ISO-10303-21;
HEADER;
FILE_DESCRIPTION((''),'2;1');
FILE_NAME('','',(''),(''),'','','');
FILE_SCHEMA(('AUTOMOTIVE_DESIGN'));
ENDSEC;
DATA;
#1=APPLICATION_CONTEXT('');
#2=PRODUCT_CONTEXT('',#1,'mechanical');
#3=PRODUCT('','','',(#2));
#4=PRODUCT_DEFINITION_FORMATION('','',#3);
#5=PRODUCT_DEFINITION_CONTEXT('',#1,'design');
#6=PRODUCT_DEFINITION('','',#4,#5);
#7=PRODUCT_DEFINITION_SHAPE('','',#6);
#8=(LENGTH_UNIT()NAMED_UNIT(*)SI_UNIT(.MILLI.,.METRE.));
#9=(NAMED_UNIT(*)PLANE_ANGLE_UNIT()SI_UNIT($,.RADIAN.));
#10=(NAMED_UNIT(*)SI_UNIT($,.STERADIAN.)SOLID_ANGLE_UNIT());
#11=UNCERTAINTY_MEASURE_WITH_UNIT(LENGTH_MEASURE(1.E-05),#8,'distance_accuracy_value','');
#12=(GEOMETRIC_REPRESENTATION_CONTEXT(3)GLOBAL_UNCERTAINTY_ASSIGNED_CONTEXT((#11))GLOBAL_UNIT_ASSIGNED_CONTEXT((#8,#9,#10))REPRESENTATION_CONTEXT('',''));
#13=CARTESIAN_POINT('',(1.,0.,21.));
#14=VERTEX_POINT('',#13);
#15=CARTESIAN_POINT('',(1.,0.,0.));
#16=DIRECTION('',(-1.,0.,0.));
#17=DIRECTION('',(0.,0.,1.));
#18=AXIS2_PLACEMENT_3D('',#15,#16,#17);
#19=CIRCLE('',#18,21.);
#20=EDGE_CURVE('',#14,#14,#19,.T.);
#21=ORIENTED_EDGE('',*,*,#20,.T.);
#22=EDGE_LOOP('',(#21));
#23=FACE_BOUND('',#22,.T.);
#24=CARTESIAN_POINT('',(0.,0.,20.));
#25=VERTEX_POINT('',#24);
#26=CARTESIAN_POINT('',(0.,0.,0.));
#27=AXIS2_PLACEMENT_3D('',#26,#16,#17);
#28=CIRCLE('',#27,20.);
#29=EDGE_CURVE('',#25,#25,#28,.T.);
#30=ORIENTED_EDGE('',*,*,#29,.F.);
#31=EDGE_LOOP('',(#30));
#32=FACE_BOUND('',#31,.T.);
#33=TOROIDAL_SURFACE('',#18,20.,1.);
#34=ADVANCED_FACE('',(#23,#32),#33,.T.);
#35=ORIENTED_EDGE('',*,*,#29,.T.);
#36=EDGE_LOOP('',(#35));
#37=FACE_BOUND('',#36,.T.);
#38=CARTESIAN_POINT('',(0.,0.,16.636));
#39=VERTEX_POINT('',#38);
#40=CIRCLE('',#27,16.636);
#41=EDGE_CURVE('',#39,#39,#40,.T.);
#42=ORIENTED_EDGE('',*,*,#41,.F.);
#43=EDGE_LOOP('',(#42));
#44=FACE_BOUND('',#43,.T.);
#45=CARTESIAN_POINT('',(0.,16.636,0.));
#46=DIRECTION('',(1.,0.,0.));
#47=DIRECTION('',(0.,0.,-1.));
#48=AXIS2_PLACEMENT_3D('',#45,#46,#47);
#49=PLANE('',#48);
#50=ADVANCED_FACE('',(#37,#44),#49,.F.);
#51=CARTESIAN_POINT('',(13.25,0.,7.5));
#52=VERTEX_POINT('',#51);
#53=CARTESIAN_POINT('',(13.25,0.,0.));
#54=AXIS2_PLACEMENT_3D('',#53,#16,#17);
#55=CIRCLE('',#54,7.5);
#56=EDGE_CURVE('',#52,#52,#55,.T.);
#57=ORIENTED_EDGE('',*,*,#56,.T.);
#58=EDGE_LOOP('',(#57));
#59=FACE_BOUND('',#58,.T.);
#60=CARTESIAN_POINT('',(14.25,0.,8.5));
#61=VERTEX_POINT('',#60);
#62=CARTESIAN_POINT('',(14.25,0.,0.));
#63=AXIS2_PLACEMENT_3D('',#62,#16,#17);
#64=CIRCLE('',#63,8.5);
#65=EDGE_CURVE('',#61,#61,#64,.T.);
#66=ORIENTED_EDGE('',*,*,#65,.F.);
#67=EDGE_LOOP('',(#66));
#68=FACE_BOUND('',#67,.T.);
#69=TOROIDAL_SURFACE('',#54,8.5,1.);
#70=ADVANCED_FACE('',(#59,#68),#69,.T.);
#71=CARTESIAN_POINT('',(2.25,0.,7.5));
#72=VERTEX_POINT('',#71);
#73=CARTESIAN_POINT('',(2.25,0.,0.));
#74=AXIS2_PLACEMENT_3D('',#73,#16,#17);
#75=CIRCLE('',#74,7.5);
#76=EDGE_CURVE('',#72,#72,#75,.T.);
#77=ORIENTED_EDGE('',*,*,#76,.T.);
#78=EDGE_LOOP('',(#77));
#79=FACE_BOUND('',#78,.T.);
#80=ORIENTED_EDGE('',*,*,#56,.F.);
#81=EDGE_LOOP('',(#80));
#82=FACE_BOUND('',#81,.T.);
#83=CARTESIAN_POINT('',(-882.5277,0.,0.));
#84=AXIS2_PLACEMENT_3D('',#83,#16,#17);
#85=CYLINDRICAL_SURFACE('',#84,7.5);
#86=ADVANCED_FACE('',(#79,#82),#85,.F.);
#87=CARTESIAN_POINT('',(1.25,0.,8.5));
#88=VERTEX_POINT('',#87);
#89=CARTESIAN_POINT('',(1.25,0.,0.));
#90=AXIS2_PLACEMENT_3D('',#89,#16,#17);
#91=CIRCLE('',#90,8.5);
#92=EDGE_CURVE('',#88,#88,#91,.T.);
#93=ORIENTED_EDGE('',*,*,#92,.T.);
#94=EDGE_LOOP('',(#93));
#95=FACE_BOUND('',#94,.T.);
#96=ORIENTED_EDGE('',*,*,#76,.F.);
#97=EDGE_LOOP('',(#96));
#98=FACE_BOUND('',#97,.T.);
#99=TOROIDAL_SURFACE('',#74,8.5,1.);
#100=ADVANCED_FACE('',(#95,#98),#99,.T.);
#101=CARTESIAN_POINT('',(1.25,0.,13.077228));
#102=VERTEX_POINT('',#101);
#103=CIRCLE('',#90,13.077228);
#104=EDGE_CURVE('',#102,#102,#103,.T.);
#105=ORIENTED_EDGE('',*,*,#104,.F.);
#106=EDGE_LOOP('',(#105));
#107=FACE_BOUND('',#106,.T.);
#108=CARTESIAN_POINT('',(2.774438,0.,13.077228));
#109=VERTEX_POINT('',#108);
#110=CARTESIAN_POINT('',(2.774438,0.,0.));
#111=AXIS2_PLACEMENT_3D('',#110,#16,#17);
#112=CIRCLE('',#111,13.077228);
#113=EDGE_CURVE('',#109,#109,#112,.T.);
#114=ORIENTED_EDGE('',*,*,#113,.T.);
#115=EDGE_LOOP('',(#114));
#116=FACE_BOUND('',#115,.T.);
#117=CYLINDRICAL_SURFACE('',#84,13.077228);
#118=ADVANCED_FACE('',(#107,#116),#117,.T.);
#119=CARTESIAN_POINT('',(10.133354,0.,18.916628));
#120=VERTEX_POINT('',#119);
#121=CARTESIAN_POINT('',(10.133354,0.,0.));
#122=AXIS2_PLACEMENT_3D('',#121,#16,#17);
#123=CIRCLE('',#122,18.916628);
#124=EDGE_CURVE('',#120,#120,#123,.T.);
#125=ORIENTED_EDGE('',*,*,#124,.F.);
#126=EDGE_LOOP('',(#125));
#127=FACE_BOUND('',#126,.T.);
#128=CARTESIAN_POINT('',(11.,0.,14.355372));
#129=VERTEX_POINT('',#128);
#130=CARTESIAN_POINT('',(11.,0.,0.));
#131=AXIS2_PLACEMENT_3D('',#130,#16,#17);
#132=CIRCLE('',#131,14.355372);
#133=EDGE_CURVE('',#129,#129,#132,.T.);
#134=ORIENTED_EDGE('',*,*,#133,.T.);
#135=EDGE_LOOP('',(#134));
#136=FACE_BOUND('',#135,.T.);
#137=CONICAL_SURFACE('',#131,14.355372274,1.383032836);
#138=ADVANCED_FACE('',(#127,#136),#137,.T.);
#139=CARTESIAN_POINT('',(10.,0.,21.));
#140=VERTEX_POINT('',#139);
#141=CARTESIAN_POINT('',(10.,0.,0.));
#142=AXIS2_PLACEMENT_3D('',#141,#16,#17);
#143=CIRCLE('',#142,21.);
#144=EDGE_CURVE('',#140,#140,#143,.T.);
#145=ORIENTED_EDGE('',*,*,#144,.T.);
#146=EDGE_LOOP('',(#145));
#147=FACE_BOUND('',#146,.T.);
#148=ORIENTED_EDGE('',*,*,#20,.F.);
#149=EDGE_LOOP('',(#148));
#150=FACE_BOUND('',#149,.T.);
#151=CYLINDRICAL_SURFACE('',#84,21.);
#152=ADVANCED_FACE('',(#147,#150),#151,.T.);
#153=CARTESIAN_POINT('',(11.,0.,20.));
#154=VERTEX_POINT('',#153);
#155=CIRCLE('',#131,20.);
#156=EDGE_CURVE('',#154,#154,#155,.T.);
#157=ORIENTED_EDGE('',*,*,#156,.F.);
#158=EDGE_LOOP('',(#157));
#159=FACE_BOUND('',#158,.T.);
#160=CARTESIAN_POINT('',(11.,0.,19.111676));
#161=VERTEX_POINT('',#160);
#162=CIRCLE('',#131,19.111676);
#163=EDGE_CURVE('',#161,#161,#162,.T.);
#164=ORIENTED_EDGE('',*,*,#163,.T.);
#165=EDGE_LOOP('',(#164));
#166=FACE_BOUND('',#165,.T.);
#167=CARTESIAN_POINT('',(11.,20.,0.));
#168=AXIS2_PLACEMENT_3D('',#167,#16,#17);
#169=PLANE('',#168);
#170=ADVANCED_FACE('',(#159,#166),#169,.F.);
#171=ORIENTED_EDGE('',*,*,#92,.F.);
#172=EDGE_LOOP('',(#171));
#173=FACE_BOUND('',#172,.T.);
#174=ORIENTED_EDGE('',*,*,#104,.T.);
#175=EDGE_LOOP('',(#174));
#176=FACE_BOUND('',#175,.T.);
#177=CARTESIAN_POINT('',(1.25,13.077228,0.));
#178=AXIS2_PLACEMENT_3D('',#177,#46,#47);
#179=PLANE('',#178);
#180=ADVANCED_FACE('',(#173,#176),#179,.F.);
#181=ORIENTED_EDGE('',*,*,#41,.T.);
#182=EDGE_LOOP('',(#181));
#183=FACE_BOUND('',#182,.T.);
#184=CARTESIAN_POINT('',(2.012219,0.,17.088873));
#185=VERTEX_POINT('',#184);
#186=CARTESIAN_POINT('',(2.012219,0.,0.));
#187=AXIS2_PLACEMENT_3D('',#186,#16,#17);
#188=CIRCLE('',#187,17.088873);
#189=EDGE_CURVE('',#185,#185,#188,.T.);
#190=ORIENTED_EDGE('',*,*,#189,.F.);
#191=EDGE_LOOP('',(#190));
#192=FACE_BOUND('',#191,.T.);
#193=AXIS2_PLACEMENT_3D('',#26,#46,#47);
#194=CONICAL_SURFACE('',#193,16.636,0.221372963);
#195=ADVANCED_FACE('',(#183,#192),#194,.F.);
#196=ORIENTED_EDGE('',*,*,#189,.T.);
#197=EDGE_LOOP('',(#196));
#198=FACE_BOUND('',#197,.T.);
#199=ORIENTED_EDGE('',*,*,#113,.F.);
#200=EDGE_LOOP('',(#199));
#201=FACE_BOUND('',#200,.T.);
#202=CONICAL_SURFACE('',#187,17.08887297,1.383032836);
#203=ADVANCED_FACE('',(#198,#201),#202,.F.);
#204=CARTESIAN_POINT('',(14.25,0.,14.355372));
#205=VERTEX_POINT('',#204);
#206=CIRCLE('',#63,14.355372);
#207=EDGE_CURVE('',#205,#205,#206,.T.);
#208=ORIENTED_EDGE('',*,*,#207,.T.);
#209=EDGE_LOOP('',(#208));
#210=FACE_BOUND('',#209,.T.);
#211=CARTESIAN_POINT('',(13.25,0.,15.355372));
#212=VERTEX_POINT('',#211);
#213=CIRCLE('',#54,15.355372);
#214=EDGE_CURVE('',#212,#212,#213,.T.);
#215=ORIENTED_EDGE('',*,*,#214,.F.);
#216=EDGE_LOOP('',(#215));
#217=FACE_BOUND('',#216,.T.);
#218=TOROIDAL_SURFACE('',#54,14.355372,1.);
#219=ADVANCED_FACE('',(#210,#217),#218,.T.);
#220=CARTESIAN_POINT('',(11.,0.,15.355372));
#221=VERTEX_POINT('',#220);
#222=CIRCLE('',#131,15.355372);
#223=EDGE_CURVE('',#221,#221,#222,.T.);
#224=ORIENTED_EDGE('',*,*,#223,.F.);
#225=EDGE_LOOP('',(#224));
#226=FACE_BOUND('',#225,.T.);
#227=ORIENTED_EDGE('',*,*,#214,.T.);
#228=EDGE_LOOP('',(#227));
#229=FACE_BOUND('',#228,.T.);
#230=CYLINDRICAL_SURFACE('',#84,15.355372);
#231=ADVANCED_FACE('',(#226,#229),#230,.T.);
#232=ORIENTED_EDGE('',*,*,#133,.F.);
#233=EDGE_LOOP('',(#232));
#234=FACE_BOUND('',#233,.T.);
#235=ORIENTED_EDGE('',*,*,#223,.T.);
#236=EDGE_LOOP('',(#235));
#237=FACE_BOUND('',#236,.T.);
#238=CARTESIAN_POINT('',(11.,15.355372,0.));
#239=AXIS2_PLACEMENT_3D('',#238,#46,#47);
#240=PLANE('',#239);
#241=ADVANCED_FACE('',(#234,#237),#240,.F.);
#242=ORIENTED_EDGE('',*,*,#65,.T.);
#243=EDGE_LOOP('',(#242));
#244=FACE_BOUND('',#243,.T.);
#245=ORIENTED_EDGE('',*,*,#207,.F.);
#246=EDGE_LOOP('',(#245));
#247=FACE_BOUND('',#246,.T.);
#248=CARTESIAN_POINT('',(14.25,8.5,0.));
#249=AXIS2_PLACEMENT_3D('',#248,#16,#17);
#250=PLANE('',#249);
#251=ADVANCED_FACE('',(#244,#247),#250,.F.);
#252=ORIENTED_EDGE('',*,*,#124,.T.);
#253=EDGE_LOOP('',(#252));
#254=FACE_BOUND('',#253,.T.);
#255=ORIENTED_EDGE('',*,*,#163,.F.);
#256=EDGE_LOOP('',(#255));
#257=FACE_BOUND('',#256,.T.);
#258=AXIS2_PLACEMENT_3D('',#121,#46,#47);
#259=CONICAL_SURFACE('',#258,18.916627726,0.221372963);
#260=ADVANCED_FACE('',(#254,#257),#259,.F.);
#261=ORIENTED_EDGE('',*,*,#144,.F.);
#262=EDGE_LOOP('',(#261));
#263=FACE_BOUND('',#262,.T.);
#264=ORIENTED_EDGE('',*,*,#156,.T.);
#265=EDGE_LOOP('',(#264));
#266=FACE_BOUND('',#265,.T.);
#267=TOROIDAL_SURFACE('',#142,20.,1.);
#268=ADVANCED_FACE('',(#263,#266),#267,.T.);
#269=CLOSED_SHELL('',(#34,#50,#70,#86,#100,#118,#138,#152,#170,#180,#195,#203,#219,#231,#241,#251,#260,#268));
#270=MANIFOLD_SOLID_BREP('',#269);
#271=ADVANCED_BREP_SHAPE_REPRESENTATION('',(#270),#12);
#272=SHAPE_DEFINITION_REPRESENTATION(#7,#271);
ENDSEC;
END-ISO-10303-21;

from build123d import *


with BuildPart() as part:
    # Эскиз1 → Повернуть1 (revolve)
    with BuildSketch(Plane.XY):
        with BuildLine():
            Line((2.012218894, 17.08887297), (0, 16.636))
            Line((0, 16.636), (0, 20))
            ThreePointArc((0, 20), (0.292893219, 20.707106781), (1, 21))
            Line((1, 21), (10, 21))
            ThreePointArc((10, 21), (10.707106781, 20.707106781), (11, 20))
            Line((11, 20), (11, 19.111676323))
            Line((11, 19.111676323), (10.133354167, 18.916627726))
            Line((10.133354167, 18.916627726), (11, 14.355372274))
            Line((11, 14.355372274), (11, 15.355372274))
            Line((11, 15.355372274), (13.25, 15.355372274))
            ThreePointArc((13.25, 15.355372274), (13.957106781, 15.062479055), (14.25, 14.355372274))
            Line((14.25, 14.355372274), (14.25, 8.5))
            ThreePointArc((14.25, 8.5), (13.957106781, 7.792893219), (13.25, 7.5))
            Line((13.25, 7.5), (2.25, 7.5))
            ThreePointArc((2.25, 7.5), (1.542893219, 7.792893219), (1.25, 8.5))
            Line((1.25, 8.5), (1.25, 13.077228357))
            Line((1.25, 13.077228357), (2.774437789, 13.077228357))
            Line((2.774437789, 13.077228357), (2.012218894, 17.08887297))
        make_face()
    revolve(axis=Axis((-882.527700014, 0, 0), (1, 0, 0)))


solid = part.part
